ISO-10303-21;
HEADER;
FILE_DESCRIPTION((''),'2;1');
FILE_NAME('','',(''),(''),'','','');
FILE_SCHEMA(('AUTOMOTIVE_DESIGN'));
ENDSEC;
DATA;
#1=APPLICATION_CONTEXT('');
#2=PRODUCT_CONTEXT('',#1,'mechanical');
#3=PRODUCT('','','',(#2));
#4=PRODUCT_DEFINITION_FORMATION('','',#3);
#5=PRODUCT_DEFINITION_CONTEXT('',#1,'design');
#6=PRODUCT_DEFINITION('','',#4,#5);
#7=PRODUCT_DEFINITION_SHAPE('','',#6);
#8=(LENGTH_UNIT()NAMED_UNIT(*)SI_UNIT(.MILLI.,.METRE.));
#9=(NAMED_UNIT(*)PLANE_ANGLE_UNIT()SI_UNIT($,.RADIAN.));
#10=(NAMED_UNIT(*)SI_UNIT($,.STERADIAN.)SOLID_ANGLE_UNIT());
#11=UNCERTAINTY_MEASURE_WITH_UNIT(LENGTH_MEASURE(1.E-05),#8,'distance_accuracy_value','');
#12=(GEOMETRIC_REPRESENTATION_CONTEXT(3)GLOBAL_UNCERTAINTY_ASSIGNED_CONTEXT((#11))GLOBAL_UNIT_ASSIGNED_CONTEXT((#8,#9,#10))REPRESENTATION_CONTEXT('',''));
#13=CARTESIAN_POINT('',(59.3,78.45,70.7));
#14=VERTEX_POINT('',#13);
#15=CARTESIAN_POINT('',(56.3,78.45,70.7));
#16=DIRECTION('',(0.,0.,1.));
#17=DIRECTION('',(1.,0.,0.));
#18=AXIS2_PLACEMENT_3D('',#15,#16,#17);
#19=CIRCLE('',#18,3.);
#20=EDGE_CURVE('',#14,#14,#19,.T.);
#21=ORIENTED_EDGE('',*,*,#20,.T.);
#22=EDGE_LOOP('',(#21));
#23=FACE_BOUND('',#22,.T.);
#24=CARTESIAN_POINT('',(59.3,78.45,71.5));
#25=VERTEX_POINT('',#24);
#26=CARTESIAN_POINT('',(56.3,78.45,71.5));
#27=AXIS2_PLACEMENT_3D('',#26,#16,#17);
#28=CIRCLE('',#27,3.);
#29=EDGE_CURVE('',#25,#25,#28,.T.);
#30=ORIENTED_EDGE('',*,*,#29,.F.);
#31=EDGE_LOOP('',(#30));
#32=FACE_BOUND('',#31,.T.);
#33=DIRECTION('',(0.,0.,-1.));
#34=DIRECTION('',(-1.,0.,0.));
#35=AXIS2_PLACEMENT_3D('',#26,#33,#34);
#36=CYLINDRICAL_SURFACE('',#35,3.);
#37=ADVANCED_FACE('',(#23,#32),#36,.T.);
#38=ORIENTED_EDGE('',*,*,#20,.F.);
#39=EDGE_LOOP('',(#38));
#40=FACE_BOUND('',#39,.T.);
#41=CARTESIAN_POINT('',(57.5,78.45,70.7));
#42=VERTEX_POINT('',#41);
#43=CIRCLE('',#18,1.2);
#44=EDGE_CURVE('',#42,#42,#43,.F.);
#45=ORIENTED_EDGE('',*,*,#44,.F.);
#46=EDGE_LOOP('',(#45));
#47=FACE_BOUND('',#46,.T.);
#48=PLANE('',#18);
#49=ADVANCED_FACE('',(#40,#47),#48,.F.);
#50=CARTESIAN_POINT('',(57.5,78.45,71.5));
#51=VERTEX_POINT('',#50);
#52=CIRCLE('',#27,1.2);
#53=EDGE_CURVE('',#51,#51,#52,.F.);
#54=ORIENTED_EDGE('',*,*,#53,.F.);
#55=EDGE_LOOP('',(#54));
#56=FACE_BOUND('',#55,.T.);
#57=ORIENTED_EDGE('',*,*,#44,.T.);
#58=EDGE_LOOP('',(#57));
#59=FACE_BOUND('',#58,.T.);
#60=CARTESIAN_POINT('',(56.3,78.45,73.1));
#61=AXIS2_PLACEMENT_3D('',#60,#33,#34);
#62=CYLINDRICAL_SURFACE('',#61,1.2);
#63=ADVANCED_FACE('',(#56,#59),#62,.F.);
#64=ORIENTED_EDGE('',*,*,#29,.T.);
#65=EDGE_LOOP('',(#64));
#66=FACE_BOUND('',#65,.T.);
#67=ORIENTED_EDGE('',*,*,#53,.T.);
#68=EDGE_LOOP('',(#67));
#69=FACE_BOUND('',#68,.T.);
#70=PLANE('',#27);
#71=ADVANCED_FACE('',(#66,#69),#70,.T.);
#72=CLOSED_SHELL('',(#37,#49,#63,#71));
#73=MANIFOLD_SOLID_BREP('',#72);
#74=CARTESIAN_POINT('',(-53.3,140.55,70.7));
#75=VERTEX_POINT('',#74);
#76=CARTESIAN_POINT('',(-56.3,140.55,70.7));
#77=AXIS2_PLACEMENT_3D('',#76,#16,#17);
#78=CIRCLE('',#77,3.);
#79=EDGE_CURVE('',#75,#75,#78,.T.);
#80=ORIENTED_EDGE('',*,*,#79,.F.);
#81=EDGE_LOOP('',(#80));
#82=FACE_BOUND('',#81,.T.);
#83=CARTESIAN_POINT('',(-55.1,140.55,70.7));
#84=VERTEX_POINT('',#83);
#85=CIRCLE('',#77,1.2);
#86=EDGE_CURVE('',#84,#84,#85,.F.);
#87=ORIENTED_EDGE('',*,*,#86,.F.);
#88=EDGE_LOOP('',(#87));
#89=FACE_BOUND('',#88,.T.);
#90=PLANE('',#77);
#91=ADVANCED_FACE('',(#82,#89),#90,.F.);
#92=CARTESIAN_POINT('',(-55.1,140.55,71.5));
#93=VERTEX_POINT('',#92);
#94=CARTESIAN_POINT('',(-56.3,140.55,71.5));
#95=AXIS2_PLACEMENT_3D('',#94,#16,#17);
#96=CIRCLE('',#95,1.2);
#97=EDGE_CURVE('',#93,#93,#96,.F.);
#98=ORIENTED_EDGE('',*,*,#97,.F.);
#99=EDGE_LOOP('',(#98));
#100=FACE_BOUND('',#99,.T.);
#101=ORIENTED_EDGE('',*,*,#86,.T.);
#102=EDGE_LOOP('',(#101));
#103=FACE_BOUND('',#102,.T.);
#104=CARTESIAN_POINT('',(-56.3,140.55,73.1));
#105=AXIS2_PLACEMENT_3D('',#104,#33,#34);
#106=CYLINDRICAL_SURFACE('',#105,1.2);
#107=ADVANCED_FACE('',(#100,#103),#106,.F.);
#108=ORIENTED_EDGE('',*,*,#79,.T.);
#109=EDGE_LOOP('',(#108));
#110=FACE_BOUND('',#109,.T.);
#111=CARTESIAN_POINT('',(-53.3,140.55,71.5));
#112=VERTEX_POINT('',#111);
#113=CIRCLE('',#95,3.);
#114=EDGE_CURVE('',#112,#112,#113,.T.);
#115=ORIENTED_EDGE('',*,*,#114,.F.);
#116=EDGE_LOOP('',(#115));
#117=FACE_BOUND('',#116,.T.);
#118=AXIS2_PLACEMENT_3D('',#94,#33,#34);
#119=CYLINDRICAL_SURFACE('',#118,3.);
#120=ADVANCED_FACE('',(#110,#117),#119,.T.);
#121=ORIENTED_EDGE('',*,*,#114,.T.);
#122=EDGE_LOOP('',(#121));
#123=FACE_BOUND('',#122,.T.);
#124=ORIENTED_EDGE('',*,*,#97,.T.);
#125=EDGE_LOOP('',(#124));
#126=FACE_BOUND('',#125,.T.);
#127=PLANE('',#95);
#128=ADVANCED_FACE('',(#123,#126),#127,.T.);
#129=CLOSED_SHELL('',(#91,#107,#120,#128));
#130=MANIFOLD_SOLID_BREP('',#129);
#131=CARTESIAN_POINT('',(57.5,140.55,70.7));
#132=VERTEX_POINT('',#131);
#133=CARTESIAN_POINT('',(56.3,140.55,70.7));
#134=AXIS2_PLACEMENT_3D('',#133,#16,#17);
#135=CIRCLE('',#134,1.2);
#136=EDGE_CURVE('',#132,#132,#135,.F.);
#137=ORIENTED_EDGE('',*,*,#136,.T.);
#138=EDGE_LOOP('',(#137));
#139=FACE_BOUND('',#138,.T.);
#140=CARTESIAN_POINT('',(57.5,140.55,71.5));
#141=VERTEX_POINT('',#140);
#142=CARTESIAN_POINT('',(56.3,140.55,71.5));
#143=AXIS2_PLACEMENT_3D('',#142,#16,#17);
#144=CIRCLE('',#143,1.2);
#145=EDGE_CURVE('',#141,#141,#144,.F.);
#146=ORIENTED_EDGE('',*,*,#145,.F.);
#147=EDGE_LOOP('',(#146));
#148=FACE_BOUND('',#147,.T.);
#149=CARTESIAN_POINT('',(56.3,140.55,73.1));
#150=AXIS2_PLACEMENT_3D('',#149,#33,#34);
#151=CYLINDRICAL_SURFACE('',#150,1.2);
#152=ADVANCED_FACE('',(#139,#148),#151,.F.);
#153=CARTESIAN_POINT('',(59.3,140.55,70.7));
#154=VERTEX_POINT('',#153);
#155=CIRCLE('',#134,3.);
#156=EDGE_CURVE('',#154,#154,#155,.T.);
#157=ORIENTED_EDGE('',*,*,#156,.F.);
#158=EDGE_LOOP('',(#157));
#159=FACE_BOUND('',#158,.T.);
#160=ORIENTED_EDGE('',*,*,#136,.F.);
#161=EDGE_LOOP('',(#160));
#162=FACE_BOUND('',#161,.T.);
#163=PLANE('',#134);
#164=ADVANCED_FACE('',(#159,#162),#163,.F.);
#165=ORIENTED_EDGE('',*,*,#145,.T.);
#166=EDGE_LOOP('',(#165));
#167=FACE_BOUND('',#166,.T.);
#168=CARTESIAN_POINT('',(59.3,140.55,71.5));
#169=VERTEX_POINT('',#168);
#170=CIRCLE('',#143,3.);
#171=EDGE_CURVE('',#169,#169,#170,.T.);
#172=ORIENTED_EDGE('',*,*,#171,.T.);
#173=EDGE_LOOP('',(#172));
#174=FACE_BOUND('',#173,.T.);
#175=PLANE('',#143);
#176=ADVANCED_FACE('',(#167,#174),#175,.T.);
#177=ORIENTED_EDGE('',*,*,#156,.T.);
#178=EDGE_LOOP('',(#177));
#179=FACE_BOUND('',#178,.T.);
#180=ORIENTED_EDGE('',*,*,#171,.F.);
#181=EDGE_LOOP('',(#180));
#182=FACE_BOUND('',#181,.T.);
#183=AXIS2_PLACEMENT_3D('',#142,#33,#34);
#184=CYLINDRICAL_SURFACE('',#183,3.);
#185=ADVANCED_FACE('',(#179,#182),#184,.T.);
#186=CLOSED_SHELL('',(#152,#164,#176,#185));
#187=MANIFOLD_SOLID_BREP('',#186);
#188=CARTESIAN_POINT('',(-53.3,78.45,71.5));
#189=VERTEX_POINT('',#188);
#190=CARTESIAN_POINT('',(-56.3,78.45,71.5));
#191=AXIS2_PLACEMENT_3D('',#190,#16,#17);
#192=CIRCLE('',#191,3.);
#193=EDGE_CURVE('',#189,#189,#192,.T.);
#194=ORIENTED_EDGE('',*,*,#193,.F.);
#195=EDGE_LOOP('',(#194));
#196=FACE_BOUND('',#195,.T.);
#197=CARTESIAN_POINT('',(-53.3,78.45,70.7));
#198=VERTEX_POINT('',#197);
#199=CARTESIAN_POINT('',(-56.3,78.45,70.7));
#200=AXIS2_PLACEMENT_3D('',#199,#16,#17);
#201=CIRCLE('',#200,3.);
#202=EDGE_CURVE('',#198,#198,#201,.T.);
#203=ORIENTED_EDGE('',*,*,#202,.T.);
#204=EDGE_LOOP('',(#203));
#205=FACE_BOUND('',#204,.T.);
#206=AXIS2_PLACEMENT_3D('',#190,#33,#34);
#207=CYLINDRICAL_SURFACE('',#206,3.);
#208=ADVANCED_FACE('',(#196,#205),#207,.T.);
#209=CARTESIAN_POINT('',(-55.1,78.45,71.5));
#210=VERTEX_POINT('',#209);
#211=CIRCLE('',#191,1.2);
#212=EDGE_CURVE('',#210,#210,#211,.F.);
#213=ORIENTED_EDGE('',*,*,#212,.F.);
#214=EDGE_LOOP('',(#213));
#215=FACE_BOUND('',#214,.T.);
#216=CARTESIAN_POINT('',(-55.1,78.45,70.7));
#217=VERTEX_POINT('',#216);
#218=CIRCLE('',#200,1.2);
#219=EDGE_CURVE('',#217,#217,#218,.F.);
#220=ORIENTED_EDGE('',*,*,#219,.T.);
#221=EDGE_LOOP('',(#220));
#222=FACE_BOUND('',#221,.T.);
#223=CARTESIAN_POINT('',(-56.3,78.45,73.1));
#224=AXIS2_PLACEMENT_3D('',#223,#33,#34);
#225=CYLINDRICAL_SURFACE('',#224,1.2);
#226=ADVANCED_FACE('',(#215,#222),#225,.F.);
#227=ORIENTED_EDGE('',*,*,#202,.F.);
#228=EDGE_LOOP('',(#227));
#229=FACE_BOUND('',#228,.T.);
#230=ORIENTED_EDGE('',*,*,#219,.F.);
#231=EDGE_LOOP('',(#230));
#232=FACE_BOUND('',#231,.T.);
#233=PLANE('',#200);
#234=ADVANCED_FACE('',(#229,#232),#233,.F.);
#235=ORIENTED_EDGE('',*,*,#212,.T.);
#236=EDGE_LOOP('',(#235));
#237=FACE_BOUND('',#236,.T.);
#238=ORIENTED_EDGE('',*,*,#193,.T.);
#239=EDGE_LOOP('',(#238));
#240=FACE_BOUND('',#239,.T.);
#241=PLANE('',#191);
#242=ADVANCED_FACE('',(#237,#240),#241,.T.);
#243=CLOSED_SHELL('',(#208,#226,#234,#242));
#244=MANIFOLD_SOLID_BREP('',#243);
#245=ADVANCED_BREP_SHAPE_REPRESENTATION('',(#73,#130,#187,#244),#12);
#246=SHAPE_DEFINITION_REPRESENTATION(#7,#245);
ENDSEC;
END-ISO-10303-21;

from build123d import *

# Parameters (mm, degrees)
BOSS_EXTRUDE1_START = 70.7
SKETCH1_R           = 3
BOSS_EXTRUDE1_DEPTH = 0.8
BOSS_EXTRUDE2_START = 70.1
SKETCH2_R           = 1.2
BOSS_EXTRUDE2_DEPTH = 3
BOSS_EXTRUDE3_START = 70.7
SKETCH3_R           = 3
BOSS_EXTRUDE3_DEPTH = 0.8
BOSS_EXTRUDE4_START = 70.1
SKETCH4_R           = 1.2
BOSS_EXTRUDE4_DEPTH = 3
BOSS_EXTRUDE5_START = 70.7
SKETCH5_R           = 3
BOSS_EXTRUDE5_DEPTH = 0.8
BOSS_EXTRUDE6_START = 70.1
SKETCH6_R           = 1.2
BOSS_EXTRUDE6_DEPTH = 3
BOSS_EXTRUDE7_START = 70.7
SKETCH7_R           = 3
BOSS_EXTRUDE7_DEPTH = 0.8
BOSS_EXTRUDE8_START = 70.1
SKETCH8_R           = 1.2
BOSS_EXTRUDE8_DEPTH = 3


with BuildPart() as part:
    # Sketch1 → Boss-Extrude1 (new body)
    with BuildSketch(Plane.XY.offset(BOSS_EXTRUDE1_START)):
        with Locations((-56.3, 78.45)):
            Circle(SKETCH1_R)
    extrude(amount=BOSS_EXTRUDE1_DEPTH)


with BuildPart() as body_2:
    # Sketch2 → Boss-Extrude2 (new body)
    with BuildSketch(Plane.XY.offset(BOSS_EXTRUDE2_START)):
        with Locations((-56.3, 78.45)):
            Circle(SKETCH2_R)
    extrude(amount=BOSS_EXTRUDE2_DEPTH)


with BuildPart() as part_1:
    add(part.part)

    # Combine1: cut body 2
    add(body_2.part, mode=Mode.SUBTRACT)


with BuildPart() as body_2_2:
    # Sketch3 → Boss-Extrude3 (new body)
    with BuildSketch(Plane.XY.offset(BOSS_EXTRUDE3_START)):
        with Locations((-56.3, 140.55)):
            Circle(SKETCH3_R)
    extrude(amount=BOSS_EXTRUDE3_DEPTH)


with BuildPart() as body_3:
    # Sketch4 → Boss-Extrude4 (new body)
    with BuildSketch(Plane.XY.offset(BOSS_EXTRUDE4_START)):
        with Locations((-56.3, 140.55)):
            Circle(SKETCH4_R)
    extrude(amount=BOSS_EXTRUDE4_DEPTH)


with BuildPart() as body_2_2_1:
    add(body_2_2.part)

    # Combine2: cut body 3
    add(body_3.part, mode=Mode.SUBTRACT)


with BuildPart() as body_3_2:
    # Sketch5 → Boss-Extrude5 (new body)
    with BuildSketch(Plane.XY.offset(BOSS_EXTRUDE5_START)):
        with Locations((56.3, 78.45)):
            Circle(SKETCH5_R)
    extrude(amount=BOSS_EXTRUDE5_DEPTH)


with BuildPart() as body_4:
    # Sketch6 → Boss-Extrude6 (new body)
    with BuildSketch(Plane.XY.offset(BOSS_EXTRUDE6_START)):
        with Locations((56.3, 78.45)):
            Circle(SKETCH6_R)
    extrude(amount=BOSS_EXTRUDE6_DEPTH)


with BuildPart() as body_3_2_1:
    add(body_3_2.part)

    # Combine3: cut body 4
    add(body_4.part, mode=Mode.SUBTRACT)


with BuildPart() as body_4_2:
    # Sketch7 → Boss-Extrude7 (new body)
    with BuildSketch(Plane.XY.offset(BOSS_EXTRUDE7_START)):
        with Locations((56.3, 140.55)):
            Circle(SKETCH7_R)
    extrude(amount=BOSS_EXTRUDE7_DEPTH)


with BuildPart() as body_5:
    # Sketch8 → Boss-Extrude8 (new body)
    with BuildSketch(Plane.XY.offset(BOSS_EXTRUDE8_START)):
        with Locations((56.3, 140.55)):
            Circle(SKETCH8_R)
    extrude(amount=BOSS_EXTRUDE8_DEPTH)


with BuildPart() as body_4_2_1:
    add(body_4_2.part)

    # Combine4: cut body 5
    add(body_5.part, mode=Mode.SUBTRACT)


solid = Compound([part_1.part, body_2_2_1.part, body_3_2_1.part, body_4_2_1.part])
